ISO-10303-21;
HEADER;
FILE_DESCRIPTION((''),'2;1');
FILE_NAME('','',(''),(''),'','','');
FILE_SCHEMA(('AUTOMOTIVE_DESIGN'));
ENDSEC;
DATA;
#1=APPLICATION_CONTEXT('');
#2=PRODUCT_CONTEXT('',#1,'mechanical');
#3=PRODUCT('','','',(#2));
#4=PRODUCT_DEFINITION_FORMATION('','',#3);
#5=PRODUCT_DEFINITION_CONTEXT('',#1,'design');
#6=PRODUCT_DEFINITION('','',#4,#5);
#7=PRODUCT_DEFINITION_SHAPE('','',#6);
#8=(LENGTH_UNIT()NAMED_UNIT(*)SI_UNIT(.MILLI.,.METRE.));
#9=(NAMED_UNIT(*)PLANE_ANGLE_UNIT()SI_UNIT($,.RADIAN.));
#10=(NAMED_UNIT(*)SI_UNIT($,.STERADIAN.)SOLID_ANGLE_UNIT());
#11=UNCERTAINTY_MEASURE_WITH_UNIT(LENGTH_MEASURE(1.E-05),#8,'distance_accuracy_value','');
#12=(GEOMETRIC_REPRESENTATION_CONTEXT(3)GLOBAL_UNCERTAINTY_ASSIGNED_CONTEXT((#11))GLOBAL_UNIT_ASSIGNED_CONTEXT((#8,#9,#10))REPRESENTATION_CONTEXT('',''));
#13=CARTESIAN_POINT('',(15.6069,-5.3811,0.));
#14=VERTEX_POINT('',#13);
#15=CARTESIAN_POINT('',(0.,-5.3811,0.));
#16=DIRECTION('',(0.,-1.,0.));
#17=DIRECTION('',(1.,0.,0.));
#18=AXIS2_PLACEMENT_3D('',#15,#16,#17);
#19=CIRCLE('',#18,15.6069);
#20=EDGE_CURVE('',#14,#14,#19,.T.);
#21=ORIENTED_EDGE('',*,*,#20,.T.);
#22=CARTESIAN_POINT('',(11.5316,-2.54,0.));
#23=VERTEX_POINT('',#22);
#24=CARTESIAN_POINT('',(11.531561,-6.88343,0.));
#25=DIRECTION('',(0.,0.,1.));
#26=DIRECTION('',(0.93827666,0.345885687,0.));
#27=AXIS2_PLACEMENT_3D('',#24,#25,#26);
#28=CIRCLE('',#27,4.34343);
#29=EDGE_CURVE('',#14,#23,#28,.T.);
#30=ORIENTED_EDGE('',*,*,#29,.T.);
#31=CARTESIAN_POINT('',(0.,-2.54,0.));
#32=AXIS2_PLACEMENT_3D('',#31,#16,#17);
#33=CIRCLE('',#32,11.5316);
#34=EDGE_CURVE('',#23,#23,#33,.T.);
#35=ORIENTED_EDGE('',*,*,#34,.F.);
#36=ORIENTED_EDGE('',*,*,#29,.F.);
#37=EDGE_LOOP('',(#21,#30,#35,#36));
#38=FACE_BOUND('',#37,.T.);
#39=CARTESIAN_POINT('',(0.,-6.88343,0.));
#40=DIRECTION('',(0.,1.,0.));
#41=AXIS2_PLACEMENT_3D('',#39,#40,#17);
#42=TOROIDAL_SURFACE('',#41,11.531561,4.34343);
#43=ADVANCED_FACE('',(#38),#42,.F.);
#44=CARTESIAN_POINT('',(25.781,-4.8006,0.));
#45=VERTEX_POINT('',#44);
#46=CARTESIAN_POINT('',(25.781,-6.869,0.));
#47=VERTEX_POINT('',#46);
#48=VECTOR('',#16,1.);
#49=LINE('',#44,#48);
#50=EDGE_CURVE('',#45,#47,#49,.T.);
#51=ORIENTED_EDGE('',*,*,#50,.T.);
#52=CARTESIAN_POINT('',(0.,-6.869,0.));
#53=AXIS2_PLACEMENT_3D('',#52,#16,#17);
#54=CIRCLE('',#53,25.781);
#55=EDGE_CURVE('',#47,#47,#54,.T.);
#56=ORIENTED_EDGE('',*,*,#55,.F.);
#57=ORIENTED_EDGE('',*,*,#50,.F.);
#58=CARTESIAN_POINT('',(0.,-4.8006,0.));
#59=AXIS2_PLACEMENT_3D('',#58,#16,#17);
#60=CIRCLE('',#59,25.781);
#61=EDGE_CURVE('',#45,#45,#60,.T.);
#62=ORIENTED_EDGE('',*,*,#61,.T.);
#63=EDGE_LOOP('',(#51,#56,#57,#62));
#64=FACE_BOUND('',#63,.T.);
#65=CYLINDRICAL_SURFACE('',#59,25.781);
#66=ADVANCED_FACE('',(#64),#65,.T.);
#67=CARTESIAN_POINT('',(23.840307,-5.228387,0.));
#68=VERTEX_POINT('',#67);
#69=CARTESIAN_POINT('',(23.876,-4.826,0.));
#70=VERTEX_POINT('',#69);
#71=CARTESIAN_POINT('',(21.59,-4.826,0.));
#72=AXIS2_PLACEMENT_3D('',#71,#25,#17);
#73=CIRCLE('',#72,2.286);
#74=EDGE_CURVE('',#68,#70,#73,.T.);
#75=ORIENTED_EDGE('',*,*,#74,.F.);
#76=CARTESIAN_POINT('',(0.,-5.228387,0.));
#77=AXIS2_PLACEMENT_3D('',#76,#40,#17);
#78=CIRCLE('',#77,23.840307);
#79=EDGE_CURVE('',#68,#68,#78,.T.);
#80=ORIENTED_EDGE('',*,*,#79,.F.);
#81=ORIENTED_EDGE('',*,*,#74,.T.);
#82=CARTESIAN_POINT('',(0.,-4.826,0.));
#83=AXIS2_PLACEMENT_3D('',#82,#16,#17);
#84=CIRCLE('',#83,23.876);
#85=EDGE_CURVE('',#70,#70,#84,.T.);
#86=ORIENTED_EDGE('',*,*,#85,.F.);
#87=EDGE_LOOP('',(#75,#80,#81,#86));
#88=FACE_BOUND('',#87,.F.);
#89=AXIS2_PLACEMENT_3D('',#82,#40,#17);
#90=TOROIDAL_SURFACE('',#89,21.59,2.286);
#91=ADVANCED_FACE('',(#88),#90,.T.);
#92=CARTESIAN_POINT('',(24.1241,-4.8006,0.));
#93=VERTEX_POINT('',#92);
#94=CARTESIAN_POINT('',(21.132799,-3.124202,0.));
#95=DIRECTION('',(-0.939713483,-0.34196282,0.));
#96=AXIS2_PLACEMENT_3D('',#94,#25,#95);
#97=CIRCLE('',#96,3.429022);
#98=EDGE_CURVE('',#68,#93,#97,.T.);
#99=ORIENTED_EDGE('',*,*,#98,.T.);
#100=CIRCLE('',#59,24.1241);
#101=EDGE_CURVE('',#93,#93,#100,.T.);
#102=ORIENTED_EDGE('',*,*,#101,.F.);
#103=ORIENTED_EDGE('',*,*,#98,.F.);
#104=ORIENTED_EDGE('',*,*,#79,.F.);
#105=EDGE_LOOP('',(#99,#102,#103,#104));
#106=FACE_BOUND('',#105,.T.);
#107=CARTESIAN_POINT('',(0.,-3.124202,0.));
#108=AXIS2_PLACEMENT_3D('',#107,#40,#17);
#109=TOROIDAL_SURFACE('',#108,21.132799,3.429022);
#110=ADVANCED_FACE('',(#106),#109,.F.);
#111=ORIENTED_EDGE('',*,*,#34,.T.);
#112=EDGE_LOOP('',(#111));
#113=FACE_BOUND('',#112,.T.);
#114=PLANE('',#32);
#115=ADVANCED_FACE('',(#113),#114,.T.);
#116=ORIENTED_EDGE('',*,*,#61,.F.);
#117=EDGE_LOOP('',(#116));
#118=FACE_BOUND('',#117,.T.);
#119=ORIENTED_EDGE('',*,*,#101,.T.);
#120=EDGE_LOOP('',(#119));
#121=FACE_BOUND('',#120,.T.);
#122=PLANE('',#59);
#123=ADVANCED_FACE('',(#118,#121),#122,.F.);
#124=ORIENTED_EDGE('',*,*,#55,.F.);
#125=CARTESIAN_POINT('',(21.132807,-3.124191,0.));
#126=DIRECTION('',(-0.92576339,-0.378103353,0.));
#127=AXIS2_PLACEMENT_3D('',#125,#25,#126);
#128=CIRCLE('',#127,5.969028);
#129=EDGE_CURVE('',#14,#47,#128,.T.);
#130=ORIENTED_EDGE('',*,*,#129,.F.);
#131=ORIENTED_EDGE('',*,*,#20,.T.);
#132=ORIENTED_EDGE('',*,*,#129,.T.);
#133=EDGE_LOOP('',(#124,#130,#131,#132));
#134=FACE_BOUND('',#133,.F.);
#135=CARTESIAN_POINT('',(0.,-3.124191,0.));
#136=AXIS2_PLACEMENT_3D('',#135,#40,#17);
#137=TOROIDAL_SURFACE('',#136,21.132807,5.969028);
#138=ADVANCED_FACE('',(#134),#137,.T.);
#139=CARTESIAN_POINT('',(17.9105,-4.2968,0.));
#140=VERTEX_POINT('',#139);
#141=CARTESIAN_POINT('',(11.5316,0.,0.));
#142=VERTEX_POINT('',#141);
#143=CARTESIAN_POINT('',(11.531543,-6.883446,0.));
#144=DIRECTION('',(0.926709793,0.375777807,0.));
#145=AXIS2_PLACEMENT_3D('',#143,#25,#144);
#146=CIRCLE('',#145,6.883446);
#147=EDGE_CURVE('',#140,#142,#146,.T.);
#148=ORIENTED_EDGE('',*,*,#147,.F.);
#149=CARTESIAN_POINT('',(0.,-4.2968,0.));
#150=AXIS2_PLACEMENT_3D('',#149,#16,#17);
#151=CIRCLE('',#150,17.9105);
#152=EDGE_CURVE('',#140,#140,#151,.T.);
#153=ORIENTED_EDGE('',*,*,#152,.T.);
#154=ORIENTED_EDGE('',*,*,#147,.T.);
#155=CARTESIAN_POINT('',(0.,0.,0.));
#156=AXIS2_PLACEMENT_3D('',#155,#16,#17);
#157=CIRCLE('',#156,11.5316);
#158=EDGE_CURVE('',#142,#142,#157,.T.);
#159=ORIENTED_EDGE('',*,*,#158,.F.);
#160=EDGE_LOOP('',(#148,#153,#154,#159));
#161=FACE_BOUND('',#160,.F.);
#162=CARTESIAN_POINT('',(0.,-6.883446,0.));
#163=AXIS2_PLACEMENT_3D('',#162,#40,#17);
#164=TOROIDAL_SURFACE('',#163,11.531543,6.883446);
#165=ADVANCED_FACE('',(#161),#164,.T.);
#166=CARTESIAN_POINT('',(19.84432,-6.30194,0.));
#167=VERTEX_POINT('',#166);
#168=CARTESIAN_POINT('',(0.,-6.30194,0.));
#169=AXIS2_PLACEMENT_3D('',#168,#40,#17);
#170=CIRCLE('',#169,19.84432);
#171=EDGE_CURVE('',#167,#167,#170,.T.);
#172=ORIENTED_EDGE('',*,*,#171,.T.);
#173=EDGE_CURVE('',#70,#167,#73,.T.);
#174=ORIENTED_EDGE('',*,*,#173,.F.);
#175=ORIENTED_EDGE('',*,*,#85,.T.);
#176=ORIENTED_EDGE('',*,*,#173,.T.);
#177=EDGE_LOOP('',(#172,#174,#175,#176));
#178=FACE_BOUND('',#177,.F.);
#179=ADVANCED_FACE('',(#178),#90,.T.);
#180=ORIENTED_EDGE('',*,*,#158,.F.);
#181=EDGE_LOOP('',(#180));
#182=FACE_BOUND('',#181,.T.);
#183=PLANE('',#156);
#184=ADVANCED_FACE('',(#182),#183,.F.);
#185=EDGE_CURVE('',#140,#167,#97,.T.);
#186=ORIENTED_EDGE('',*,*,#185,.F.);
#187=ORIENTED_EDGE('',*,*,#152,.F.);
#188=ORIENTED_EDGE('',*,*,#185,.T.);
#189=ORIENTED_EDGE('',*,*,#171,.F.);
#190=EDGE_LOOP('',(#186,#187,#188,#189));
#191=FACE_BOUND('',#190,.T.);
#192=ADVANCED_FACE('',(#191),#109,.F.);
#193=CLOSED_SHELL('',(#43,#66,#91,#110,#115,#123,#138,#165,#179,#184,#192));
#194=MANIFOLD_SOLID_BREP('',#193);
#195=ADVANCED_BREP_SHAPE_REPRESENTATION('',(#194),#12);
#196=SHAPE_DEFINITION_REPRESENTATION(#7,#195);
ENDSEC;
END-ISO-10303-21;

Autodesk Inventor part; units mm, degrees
sketch "Sketch_1" plane through (0, 0, 0) normal (0, 0, 1) x (1, 0, 0)
  line L0 (0, -9.0932) -> (0, 0)
  line L1 (0, 0) -> (11.5316, 0)
  arc A0 (17.9105, -4.2968) -> (11.5316, 0) centre (11.5316, -6.8834) ccw
  arc A1 (17.9105, -4.2968) -> (24.1241, -4.8006) centre (21.1328, -3.1242) ccw
  line L2 (24.1241, -4.8006) -> (25.781, -4.8006)
  line L3 (25.781, -4.8006) -> (25.781, -6.869)
  arc A2 (15.6069, -5.3811) -> (25.781, -6.869) centre (21.1328, -3.1242) ccw
  arc A3 (15.6069, -5.3811) -> (11.5316, -2.54) centre (11.5316, -6.8834) ccw
  line L4 (11.5316, -2.54) -> (0, -2.54)
  line L5 (0, -2.54) -> (0, 0)
revolve "Revolution1" add sketch "Sketch_1" angle 360 about axis through (0, -9.0932, 0) along (0, -1, 0)
sketch "Sketch_2" plane through (0, 0, 0) normal (0, 0, 1) x (1, 0, 0)
  line L0 (0, -12.7) -> (0, 12.7)
  circle A0 centre (21.59, -4.826) radius 2.286
revolve "Revolution2" add sketch "Sketch_2" angle 360 about axis through (0, -12.7, 0) along (0, -1, 0)
ref_plane "lower_race_XY" through (0, 0, 0) normal (0, -1, 0) x (1, 0, 0)
ref_plane "lower_race_YZ" through (0, 0, 0) normal (1, 0, 0) x (0, 0, 1)
ref_plane "lower_race_ZX" through (0, 0, 0) normal (0, 0, 1) x (0, -1, 0)
properties part number "2SS-LR"
